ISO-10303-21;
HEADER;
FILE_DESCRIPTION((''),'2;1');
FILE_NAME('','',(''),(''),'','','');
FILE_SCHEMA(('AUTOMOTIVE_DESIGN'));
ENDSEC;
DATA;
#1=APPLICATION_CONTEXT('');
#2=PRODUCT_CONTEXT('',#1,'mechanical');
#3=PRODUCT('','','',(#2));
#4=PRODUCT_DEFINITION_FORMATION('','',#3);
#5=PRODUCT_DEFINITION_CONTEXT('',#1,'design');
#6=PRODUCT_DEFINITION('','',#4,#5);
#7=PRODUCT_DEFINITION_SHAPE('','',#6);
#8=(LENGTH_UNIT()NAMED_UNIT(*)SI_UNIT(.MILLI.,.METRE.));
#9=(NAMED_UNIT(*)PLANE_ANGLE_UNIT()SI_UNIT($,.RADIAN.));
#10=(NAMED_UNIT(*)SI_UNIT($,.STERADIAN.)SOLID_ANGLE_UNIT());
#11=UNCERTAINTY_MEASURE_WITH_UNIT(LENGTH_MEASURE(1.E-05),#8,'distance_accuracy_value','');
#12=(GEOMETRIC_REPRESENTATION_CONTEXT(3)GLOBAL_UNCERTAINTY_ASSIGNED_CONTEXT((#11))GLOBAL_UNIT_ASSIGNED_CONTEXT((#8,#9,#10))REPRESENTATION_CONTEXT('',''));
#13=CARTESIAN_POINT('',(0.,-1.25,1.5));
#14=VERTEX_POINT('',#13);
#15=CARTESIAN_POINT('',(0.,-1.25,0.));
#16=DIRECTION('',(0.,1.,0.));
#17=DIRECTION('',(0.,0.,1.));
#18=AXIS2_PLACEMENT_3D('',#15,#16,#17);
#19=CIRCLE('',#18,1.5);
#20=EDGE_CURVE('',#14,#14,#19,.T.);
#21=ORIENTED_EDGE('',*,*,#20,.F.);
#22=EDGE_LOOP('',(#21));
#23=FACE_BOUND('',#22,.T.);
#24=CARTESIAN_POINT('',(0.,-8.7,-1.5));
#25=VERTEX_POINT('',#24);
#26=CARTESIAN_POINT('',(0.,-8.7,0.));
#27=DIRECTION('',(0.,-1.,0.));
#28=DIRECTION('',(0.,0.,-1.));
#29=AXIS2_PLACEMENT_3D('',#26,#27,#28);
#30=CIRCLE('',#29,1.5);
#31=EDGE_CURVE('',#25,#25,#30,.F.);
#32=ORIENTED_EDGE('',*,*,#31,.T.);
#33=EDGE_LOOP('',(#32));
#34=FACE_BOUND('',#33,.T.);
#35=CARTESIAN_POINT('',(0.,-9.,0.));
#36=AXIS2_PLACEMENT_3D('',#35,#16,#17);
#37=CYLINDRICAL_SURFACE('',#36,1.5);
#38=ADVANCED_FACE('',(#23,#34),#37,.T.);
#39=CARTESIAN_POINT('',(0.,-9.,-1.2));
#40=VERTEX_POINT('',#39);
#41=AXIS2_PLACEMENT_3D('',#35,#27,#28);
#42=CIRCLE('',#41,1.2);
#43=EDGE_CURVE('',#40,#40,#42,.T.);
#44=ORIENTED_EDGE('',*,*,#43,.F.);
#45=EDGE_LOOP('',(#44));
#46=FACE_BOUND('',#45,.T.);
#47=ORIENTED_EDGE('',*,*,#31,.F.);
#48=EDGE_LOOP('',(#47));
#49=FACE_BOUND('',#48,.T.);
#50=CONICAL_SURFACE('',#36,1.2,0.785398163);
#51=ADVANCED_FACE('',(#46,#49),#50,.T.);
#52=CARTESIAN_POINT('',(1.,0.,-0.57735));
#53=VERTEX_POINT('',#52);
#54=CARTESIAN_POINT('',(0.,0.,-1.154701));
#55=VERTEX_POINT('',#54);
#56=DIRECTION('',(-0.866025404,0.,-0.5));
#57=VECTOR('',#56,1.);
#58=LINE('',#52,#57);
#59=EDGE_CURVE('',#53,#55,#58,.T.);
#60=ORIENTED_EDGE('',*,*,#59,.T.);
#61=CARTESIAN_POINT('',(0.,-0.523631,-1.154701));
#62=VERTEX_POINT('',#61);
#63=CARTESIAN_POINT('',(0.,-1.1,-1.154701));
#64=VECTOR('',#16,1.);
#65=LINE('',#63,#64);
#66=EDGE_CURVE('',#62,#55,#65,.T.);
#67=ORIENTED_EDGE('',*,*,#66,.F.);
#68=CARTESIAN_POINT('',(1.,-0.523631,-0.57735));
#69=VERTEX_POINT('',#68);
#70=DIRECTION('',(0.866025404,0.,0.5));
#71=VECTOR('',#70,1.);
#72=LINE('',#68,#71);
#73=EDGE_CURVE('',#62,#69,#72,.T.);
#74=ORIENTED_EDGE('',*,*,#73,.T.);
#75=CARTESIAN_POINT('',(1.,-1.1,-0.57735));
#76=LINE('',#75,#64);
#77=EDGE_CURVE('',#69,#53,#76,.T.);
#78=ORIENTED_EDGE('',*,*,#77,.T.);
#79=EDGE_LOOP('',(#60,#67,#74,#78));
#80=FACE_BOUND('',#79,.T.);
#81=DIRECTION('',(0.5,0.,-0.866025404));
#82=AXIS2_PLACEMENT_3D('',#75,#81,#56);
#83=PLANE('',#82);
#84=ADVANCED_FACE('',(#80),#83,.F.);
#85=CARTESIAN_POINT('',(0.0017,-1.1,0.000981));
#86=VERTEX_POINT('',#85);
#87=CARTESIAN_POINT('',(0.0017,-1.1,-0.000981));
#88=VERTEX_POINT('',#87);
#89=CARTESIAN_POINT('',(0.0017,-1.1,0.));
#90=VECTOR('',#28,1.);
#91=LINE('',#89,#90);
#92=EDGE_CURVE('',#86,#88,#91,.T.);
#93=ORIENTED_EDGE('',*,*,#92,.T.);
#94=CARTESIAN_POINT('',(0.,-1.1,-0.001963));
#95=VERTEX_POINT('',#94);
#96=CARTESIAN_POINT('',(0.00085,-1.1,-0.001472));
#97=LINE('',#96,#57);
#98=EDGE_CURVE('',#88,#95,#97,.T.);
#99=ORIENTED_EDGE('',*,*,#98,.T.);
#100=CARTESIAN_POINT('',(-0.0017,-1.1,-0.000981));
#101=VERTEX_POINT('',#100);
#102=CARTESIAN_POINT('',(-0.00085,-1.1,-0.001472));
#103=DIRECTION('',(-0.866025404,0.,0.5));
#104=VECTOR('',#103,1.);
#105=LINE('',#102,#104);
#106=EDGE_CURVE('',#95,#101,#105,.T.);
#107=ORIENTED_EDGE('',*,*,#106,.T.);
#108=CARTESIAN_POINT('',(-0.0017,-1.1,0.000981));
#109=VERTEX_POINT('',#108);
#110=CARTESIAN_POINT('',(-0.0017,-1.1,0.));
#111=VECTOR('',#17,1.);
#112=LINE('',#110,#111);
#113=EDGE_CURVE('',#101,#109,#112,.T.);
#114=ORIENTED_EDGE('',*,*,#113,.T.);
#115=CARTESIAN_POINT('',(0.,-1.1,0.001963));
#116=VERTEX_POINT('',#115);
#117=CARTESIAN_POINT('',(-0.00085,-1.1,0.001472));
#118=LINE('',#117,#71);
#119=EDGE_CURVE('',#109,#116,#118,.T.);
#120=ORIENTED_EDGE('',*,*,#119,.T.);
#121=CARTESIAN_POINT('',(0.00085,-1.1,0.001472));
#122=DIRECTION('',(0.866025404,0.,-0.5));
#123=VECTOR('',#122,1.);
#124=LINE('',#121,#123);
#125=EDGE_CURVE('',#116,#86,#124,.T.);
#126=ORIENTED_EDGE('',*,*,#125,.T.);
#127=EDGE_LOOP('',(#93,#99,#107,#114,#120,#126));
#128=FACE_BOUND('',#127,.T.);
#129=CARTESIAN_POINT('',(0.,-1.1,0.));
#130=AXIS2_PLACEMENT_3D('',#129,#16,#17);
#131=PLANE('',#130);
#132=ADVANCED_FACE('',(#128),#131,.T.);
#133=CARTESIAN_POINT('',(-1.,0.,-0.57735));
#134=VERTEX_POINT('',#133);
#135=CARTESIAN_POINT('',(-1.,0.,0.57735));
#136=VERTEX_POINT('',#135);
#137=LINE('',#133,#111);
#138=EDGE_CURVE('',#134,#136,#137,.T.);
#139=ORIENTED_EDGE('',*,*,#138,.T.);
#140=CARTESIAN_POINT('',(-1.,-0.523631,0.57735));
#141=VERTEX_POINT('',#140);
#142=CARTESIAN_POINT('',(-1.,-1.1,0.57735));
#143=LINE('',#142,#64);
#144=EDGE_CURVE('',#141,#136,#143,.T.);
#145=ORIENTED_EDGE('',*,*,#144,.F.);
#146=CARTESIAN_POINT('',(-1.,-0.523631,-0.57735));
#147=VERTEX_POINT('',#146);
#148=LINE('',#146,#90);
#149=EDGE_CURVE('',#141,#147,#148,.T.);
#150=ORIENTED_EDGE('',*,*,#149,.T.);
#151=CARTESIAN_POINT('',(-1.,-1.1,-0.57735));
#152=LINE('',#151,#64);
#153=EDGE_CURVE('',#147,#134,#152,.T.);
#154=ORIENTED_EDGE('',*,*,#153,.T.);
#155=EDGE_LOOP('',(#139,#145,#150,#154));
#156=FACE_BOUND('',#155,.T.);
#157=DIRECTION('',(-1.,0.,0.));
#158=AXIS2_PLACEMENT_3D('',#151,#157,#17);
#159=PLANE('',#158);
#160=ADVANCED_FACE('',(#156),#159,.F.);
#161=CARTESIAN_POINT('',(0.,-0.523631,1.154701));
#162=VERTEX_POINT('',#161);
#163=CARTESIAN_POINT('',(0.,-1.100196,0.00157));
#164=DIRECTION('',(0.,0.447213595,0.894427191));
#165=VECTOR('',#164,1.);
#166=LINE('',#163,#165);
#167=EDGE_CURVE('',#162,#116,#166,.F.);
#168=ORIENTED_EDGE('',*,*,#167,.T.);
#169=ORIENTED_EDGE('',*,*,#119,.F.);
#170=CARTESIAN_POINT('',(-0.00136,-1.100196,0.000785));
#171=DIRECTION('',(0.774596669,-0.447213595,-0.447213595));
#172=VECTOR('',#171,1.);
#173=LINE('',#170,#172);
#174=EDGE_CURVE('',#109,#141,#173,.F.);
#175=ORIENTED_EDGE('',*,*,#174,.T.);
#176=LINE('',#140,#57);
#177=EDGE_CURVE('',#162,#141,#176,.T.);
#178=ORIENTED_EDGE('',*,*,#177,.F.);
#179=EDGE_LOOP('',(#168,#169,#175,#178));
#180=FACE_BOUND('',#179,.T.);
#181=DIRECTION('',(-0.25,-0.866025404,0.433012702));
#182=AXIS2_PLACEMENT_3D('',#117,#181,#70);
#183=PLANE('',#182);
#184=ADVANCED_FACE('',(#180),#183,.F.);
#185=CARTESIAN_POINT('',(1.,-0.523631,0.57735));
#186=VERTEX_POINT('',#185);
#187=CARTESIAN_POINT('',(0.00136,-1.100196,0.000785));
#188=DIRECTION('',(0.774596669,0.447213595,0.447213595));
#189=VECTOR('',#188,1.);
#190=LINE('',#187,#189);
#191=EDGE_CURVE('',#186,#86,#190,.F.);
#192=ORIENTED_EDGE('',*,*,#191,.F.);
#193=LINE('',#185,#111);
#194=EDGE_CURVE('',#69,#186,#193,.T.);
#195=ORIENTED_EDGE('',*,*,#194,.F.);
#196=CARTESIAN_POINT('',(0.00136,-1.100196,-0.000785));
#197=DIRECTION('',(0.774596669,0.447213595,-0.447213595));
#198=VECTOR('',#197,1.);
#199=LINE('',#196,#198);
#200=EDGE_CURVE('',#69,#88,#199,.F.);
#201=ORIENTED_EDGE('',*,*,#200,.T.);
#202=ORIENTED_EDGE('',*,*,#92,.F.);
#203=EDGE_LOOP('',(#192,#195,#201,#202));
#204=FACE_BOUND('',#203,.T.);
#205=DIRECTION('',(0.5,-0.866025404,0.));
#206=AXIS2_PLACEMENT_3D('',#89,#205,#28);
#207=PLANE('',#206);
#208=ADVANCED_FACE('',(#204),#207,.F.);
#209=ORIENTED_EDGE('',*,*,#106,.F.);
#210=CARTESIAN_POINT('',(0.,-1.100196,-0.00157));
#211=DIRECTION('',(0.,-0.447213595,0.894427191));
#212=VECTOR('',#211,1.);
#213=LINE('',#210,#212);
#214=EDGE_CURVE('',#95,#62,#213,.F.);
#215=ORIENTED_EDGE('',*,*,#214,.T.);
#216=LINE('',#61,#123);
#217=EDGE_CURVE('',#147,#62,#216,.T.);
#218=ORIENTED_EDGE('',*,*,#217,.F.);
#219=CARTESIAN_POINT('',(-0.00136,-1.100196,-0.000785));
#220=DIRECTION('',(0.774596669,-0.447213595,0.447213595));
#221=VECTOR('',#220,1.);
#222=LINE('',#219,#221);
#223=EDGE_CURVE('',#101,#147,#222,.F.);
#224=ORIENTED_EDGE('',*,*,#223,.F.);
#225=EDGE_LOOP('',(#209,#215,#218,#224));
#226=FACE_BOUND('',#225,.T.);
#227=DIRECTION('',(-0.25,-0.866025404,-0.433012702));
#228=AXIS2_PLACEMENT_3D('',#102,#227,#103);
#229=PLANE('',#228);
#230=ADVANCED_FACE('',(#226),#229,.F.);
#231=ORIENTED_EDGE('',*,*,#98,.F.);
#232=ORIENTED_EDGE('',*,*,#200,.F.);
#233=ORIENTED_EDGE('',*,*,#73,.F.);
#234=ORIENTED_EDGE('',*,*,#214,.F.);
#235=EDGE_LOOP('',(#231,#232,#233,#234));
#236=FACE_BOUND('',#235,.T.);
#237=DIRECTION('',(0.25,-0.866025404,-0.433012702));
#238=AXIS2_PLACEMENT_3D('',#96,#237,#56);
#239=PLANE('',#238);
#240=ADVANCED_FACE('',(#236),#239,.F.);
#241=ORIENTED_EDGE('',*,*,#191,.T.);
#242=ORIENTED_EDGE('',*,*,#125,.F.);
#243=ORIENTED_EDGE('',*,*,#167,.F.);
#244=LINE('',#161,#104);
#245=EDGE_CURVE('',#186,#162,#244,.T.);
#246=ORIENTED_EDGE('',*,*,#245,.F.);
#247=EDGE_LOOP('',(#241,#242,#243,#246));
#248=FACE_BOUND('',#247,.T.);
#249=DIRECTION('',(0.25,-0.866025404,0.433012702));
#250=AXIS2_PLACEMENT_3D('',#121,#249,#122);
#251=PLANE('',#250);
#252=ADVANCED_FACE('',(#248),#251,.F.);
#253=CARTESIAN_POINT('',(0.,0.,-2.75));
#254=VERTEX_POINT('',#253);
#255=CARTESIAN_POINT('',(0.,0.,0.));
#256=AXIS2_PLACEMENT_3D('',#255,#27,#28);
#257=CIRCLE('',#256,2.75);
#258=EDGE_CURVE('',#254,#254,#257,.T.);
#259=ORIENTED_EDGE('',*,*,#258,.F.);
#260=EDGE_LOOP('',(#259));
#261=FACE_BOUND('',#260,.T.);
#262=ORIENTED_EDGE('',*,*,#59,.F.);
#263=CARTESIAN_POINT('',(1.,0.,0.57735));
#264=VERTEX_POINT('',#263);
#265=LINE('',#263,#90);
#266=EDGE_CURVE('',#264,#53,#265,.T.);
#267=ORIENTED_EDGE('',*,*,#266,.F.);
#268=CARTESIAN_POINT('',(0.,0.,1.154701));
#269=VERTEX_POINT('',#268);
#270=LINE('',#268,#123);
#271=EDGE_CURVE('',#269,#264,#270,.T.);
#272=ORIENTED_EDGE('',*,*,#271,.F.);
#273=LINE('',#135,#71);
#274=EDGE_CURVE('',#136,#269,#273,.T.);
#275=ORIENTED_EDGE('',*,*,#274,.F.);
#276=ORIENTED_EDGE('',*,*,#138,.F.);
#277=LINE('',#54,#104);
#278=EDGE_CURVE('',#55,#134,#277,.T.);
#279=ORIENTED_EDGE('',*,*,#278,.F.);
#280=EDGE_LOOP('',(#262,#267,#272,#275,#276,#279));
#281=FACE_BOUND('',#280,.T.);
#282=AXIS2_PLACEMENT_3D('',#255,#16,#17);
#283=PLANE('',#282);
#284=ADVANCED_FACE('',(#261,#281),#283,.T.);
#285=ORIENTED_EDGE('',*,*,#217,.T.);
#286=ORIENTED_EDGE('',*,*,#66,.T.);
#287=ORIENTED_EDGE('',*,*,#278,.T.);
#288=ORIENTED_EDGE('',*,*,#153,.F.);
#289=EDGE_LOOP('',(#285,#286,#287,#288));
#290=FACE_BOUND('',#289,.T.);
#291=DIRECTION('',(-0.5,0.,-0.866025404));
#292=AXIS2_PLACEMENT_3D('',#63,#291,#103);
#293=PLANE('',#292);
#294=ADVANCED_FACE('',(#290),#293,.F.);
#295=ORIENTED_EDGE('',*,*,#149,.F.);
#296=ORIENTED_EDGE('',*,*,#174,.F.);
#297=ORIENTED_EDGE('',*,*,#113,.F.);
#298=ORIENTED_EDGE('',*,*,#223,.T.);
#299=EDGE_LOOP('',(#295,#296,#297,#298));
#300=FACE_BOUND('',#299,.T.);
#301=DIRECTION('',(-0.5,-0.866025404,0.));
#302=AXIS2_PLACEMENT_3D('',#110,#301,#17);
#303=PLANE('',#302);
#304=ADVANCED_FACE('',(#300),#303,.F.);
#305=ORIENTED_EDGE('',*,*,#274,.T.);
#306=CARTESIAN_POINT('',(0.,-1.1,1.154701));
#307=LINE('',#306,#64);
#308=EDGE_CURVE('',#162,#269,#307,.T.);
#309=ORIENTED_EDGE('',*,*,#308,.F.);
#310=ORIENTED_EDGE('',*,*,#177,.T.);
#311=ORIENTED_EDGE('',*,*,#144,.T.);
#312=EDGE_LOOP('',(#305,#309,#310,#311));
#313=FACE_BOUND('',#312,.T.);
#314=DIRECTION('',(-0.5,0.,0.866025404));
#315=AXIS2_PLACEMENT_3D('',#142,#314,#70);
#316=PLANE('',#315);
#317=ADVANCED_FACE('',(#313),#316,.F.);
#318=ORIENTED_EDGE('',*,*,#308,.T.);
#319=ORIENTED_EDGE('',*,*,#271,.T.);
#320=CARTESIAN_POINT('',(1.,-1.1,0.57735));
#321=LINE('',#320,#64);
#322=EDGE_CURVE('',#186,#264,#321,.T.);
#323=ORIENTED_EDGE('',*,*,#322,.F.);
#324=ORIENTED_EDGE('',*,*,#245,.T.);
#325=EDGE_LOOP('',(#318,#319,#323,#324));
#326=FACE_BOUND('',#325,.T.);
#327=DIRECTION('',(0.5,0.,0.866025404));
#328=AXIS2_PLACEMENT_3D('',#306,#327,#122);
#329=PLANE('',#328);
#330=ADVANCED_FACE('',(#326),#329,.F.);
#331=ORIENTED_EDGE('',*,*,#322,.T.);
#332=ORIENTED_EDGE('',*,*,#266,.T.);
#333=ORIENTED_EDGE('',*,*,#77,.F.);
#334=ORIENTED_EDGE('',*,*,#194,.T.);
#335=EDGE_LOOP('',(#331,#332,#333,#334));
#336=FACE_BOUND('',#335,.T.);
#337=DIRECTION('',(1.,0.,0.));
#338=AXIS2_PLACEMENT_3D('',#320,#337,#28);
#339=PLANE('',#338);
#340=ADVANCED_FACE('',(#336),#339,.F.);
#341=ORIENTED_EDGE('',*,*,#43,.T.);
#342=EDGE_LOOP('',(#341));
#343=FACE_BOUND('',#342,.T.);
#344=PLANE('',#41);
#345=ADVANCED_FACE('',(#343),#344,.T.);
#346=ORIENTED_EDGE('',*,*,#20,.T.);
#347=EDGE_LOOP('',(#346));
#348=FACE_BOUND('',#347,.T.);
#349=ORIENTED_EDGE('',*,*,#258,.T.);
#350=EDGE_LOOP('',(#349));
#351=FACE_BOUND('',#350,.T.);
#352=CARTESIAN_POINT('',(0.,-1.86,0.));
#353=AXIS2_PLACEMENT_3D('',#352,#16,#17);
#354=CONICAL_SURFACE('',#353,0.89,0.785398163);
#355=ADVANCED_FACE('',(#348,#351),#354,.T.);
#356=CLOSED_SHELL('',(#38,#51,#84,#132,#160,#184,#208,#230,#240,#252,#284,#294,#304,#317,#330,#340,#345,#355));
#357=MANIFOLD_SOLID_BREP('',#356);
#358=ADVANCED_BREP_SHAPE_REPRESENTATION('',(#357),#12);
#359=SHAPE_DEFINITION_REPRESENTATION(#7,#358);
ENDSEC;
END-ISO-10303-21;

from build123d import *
from OCP.BRepFilletAPI import BRepFilletAPI_MakeChamfer

# Parameters (mm, degrees)
SKETCH_4_R          = 1.5
EXTRUDE_2_DEPTH     = 9
CUT_EXTRUDE_1_DEPTH = 1.1
CHAMFER_3_SIZE      = 0.576368876
CHAMFER_3_SIZE2     = 0.998300177
CHAMFER_4_SIZE      = 0.3


with BuildPart() as part:
    # 草图2 → 旋转1 (revolve)
    with BuildSketch(Plane.XY):
        Polygon((0, -1.86), (0, 0), (2.75, 0), (0.89, -1.86), align=None)
    revolve(axis=Axis((0, -1.86, 0), (0, 1, 0)))

    # 草图4 → 凸台-拉伸2 (add)
    with BuildSketch(Plane.XZ):
        Circle(SKETCH_4_R)
    extrude(amount=EXTRUDE_2_DEPTH)

    # 草图3 → 切除-拉伸1 (cut)
    with BuildSketch(Plane(origin=(0, 0, 0), x_dir=(1, 0, 0), z_dir=(0, 1, 0))):
        Polygon((1, 0.577350269), (0, 1.154700538), (-1, 0.577350269), (-1, -0.577350269), (0, -1.154700538), (1, -0.577350269), align=None)
    extrude(amount=-CUT_EXTRUDE_1_DEPTH, mode=Mode.SUBTRACT)

    # 倒角3: one chamfer whose edges measure the first distance from different faces: ONE call of the kernel's chamfer builder (chamfer() names one face for all edges)
    chamfer_3_edges_1 = [part.edges().sort_by_distance(p)[0] for p in [
        (-0.5, -1.1, 0.866025404),
    ]]
    chamfer_3_side_1 = [part.faces().sort_by_distance(p)[0] for p in [
        (-0.5, -0.55, 0.866025404),
    ]]
    chamfer_3_edges_2 = [part.edges().sort_by_distance(p)[0] for p in [
        (-1, -1.1, 0),
    ]]
    chamfer_3_side_2 = [part.faces().sort_by_distance(p)[0] for p in [
        (-1, -0.55, 0),
    ]]
    chamfer_3_edges_3 = [part.edges().sort_by_distance(p)[0] for p in [
        (-0.5, -1.1, -0.866025404),
    ]]
    chamfer_3_side_3 = [part.faces().sort_by_distance(p)[0] for p in [
        (-0.5, -0.55, -0.866025404),
    ]]
    chamfer_3_edges_4 = [part.edges().sort_by_distance(p)[0] for p in [
        (0.5, -1.1, -0.866025404),
    ]]
    chamfer_3_side_4 = [part.faces().sort_by_distance(p)[0] for p in [
        (0.5, -0.55, -0.866025404),
    ]]
    chamfer_3_edges_5 = [part.edges().sort_by_distance(p)[0] for p in [
        (1, -1.1, 0),
    ]]
    chamfer_3_side_5 = [part.faces().sort_by_distance(p)[0] for p in [
        (1, -0.55, 0),
    ]]
    chamfer_3_edges_6 = [part.edges().sort_by_distance(p)[0] for p in [
        (0.5, -1.1, 0.866025404),
    ]]
    chamfer_3_side_6 = [part.faces().sort_by_distance(p)[0] for p in [
        (0.5, -0.55, 0.866025404),
    ]]
    chamfer_3 = BRepFilletAPI_MakeChamfer(part.part.solid().wrapped)
    for e in chamfer_3_edges_1:
        chamfer_3.Add(CHAMFER_3_SIZE, CHAMFER_3_SIZE2, e.wrapped, chamfer_3_side_1[0].wrapped)  # the first distance lies on this face
    for e in chamfer_3_edges_2:
        chamfer_3.Add(CHAMFER_3_SIZE, CHAMFER_3_SIZE2, e.wrapped, chamfer_3_side_2[0].wrapped)  # the first distance lies on this face
    for e in chamfer_3_edges_3:
        chamfer_3.Add(CHAMFER_3_SIZE, CHAMFER_3_SIZE2, e.wrapped, chamfer_3_side_3[0].wrapped)  # the first distance lies on this face
    for e in chamfer_3_edges_4:
        chamfer_3.Add(CHAMFER_3_SIZE, CHAMFER_3_SIZE2, e.wrapped, chamfer_3_side_4[0].wrapped)  # the first distance lies on this face
    for e in chamfer_3_edges_5:
        chamfer_3.Add(CHAMFER_3_SIZE, CHAMFER_3_SIZE2, e.wrapped, chamfer_3_side_5[0].wrapped)  # the first distance lies on this face
    for e in chamfer_3_edges_6:
        chamfer_3.Add(CHAMFER_3_SIZE, CHAMFER_3_SIZE2, e.wrapped, chamfer_3_side_6[0].wrapped)  # the first distance lies on this face
    add(Compound.cast(chamfer_3.Shape()), mode=Mode.REPLACE)

    # 倒角4
    chamfer_4_edges = [part.edges().sort_by_distance(p)[0] for p in [
        (-1.5, -9, 0),
    ]]
    chamfer(chamfer_4_edges, length=CHAMFER_4_SIZE)


solid = part.part
